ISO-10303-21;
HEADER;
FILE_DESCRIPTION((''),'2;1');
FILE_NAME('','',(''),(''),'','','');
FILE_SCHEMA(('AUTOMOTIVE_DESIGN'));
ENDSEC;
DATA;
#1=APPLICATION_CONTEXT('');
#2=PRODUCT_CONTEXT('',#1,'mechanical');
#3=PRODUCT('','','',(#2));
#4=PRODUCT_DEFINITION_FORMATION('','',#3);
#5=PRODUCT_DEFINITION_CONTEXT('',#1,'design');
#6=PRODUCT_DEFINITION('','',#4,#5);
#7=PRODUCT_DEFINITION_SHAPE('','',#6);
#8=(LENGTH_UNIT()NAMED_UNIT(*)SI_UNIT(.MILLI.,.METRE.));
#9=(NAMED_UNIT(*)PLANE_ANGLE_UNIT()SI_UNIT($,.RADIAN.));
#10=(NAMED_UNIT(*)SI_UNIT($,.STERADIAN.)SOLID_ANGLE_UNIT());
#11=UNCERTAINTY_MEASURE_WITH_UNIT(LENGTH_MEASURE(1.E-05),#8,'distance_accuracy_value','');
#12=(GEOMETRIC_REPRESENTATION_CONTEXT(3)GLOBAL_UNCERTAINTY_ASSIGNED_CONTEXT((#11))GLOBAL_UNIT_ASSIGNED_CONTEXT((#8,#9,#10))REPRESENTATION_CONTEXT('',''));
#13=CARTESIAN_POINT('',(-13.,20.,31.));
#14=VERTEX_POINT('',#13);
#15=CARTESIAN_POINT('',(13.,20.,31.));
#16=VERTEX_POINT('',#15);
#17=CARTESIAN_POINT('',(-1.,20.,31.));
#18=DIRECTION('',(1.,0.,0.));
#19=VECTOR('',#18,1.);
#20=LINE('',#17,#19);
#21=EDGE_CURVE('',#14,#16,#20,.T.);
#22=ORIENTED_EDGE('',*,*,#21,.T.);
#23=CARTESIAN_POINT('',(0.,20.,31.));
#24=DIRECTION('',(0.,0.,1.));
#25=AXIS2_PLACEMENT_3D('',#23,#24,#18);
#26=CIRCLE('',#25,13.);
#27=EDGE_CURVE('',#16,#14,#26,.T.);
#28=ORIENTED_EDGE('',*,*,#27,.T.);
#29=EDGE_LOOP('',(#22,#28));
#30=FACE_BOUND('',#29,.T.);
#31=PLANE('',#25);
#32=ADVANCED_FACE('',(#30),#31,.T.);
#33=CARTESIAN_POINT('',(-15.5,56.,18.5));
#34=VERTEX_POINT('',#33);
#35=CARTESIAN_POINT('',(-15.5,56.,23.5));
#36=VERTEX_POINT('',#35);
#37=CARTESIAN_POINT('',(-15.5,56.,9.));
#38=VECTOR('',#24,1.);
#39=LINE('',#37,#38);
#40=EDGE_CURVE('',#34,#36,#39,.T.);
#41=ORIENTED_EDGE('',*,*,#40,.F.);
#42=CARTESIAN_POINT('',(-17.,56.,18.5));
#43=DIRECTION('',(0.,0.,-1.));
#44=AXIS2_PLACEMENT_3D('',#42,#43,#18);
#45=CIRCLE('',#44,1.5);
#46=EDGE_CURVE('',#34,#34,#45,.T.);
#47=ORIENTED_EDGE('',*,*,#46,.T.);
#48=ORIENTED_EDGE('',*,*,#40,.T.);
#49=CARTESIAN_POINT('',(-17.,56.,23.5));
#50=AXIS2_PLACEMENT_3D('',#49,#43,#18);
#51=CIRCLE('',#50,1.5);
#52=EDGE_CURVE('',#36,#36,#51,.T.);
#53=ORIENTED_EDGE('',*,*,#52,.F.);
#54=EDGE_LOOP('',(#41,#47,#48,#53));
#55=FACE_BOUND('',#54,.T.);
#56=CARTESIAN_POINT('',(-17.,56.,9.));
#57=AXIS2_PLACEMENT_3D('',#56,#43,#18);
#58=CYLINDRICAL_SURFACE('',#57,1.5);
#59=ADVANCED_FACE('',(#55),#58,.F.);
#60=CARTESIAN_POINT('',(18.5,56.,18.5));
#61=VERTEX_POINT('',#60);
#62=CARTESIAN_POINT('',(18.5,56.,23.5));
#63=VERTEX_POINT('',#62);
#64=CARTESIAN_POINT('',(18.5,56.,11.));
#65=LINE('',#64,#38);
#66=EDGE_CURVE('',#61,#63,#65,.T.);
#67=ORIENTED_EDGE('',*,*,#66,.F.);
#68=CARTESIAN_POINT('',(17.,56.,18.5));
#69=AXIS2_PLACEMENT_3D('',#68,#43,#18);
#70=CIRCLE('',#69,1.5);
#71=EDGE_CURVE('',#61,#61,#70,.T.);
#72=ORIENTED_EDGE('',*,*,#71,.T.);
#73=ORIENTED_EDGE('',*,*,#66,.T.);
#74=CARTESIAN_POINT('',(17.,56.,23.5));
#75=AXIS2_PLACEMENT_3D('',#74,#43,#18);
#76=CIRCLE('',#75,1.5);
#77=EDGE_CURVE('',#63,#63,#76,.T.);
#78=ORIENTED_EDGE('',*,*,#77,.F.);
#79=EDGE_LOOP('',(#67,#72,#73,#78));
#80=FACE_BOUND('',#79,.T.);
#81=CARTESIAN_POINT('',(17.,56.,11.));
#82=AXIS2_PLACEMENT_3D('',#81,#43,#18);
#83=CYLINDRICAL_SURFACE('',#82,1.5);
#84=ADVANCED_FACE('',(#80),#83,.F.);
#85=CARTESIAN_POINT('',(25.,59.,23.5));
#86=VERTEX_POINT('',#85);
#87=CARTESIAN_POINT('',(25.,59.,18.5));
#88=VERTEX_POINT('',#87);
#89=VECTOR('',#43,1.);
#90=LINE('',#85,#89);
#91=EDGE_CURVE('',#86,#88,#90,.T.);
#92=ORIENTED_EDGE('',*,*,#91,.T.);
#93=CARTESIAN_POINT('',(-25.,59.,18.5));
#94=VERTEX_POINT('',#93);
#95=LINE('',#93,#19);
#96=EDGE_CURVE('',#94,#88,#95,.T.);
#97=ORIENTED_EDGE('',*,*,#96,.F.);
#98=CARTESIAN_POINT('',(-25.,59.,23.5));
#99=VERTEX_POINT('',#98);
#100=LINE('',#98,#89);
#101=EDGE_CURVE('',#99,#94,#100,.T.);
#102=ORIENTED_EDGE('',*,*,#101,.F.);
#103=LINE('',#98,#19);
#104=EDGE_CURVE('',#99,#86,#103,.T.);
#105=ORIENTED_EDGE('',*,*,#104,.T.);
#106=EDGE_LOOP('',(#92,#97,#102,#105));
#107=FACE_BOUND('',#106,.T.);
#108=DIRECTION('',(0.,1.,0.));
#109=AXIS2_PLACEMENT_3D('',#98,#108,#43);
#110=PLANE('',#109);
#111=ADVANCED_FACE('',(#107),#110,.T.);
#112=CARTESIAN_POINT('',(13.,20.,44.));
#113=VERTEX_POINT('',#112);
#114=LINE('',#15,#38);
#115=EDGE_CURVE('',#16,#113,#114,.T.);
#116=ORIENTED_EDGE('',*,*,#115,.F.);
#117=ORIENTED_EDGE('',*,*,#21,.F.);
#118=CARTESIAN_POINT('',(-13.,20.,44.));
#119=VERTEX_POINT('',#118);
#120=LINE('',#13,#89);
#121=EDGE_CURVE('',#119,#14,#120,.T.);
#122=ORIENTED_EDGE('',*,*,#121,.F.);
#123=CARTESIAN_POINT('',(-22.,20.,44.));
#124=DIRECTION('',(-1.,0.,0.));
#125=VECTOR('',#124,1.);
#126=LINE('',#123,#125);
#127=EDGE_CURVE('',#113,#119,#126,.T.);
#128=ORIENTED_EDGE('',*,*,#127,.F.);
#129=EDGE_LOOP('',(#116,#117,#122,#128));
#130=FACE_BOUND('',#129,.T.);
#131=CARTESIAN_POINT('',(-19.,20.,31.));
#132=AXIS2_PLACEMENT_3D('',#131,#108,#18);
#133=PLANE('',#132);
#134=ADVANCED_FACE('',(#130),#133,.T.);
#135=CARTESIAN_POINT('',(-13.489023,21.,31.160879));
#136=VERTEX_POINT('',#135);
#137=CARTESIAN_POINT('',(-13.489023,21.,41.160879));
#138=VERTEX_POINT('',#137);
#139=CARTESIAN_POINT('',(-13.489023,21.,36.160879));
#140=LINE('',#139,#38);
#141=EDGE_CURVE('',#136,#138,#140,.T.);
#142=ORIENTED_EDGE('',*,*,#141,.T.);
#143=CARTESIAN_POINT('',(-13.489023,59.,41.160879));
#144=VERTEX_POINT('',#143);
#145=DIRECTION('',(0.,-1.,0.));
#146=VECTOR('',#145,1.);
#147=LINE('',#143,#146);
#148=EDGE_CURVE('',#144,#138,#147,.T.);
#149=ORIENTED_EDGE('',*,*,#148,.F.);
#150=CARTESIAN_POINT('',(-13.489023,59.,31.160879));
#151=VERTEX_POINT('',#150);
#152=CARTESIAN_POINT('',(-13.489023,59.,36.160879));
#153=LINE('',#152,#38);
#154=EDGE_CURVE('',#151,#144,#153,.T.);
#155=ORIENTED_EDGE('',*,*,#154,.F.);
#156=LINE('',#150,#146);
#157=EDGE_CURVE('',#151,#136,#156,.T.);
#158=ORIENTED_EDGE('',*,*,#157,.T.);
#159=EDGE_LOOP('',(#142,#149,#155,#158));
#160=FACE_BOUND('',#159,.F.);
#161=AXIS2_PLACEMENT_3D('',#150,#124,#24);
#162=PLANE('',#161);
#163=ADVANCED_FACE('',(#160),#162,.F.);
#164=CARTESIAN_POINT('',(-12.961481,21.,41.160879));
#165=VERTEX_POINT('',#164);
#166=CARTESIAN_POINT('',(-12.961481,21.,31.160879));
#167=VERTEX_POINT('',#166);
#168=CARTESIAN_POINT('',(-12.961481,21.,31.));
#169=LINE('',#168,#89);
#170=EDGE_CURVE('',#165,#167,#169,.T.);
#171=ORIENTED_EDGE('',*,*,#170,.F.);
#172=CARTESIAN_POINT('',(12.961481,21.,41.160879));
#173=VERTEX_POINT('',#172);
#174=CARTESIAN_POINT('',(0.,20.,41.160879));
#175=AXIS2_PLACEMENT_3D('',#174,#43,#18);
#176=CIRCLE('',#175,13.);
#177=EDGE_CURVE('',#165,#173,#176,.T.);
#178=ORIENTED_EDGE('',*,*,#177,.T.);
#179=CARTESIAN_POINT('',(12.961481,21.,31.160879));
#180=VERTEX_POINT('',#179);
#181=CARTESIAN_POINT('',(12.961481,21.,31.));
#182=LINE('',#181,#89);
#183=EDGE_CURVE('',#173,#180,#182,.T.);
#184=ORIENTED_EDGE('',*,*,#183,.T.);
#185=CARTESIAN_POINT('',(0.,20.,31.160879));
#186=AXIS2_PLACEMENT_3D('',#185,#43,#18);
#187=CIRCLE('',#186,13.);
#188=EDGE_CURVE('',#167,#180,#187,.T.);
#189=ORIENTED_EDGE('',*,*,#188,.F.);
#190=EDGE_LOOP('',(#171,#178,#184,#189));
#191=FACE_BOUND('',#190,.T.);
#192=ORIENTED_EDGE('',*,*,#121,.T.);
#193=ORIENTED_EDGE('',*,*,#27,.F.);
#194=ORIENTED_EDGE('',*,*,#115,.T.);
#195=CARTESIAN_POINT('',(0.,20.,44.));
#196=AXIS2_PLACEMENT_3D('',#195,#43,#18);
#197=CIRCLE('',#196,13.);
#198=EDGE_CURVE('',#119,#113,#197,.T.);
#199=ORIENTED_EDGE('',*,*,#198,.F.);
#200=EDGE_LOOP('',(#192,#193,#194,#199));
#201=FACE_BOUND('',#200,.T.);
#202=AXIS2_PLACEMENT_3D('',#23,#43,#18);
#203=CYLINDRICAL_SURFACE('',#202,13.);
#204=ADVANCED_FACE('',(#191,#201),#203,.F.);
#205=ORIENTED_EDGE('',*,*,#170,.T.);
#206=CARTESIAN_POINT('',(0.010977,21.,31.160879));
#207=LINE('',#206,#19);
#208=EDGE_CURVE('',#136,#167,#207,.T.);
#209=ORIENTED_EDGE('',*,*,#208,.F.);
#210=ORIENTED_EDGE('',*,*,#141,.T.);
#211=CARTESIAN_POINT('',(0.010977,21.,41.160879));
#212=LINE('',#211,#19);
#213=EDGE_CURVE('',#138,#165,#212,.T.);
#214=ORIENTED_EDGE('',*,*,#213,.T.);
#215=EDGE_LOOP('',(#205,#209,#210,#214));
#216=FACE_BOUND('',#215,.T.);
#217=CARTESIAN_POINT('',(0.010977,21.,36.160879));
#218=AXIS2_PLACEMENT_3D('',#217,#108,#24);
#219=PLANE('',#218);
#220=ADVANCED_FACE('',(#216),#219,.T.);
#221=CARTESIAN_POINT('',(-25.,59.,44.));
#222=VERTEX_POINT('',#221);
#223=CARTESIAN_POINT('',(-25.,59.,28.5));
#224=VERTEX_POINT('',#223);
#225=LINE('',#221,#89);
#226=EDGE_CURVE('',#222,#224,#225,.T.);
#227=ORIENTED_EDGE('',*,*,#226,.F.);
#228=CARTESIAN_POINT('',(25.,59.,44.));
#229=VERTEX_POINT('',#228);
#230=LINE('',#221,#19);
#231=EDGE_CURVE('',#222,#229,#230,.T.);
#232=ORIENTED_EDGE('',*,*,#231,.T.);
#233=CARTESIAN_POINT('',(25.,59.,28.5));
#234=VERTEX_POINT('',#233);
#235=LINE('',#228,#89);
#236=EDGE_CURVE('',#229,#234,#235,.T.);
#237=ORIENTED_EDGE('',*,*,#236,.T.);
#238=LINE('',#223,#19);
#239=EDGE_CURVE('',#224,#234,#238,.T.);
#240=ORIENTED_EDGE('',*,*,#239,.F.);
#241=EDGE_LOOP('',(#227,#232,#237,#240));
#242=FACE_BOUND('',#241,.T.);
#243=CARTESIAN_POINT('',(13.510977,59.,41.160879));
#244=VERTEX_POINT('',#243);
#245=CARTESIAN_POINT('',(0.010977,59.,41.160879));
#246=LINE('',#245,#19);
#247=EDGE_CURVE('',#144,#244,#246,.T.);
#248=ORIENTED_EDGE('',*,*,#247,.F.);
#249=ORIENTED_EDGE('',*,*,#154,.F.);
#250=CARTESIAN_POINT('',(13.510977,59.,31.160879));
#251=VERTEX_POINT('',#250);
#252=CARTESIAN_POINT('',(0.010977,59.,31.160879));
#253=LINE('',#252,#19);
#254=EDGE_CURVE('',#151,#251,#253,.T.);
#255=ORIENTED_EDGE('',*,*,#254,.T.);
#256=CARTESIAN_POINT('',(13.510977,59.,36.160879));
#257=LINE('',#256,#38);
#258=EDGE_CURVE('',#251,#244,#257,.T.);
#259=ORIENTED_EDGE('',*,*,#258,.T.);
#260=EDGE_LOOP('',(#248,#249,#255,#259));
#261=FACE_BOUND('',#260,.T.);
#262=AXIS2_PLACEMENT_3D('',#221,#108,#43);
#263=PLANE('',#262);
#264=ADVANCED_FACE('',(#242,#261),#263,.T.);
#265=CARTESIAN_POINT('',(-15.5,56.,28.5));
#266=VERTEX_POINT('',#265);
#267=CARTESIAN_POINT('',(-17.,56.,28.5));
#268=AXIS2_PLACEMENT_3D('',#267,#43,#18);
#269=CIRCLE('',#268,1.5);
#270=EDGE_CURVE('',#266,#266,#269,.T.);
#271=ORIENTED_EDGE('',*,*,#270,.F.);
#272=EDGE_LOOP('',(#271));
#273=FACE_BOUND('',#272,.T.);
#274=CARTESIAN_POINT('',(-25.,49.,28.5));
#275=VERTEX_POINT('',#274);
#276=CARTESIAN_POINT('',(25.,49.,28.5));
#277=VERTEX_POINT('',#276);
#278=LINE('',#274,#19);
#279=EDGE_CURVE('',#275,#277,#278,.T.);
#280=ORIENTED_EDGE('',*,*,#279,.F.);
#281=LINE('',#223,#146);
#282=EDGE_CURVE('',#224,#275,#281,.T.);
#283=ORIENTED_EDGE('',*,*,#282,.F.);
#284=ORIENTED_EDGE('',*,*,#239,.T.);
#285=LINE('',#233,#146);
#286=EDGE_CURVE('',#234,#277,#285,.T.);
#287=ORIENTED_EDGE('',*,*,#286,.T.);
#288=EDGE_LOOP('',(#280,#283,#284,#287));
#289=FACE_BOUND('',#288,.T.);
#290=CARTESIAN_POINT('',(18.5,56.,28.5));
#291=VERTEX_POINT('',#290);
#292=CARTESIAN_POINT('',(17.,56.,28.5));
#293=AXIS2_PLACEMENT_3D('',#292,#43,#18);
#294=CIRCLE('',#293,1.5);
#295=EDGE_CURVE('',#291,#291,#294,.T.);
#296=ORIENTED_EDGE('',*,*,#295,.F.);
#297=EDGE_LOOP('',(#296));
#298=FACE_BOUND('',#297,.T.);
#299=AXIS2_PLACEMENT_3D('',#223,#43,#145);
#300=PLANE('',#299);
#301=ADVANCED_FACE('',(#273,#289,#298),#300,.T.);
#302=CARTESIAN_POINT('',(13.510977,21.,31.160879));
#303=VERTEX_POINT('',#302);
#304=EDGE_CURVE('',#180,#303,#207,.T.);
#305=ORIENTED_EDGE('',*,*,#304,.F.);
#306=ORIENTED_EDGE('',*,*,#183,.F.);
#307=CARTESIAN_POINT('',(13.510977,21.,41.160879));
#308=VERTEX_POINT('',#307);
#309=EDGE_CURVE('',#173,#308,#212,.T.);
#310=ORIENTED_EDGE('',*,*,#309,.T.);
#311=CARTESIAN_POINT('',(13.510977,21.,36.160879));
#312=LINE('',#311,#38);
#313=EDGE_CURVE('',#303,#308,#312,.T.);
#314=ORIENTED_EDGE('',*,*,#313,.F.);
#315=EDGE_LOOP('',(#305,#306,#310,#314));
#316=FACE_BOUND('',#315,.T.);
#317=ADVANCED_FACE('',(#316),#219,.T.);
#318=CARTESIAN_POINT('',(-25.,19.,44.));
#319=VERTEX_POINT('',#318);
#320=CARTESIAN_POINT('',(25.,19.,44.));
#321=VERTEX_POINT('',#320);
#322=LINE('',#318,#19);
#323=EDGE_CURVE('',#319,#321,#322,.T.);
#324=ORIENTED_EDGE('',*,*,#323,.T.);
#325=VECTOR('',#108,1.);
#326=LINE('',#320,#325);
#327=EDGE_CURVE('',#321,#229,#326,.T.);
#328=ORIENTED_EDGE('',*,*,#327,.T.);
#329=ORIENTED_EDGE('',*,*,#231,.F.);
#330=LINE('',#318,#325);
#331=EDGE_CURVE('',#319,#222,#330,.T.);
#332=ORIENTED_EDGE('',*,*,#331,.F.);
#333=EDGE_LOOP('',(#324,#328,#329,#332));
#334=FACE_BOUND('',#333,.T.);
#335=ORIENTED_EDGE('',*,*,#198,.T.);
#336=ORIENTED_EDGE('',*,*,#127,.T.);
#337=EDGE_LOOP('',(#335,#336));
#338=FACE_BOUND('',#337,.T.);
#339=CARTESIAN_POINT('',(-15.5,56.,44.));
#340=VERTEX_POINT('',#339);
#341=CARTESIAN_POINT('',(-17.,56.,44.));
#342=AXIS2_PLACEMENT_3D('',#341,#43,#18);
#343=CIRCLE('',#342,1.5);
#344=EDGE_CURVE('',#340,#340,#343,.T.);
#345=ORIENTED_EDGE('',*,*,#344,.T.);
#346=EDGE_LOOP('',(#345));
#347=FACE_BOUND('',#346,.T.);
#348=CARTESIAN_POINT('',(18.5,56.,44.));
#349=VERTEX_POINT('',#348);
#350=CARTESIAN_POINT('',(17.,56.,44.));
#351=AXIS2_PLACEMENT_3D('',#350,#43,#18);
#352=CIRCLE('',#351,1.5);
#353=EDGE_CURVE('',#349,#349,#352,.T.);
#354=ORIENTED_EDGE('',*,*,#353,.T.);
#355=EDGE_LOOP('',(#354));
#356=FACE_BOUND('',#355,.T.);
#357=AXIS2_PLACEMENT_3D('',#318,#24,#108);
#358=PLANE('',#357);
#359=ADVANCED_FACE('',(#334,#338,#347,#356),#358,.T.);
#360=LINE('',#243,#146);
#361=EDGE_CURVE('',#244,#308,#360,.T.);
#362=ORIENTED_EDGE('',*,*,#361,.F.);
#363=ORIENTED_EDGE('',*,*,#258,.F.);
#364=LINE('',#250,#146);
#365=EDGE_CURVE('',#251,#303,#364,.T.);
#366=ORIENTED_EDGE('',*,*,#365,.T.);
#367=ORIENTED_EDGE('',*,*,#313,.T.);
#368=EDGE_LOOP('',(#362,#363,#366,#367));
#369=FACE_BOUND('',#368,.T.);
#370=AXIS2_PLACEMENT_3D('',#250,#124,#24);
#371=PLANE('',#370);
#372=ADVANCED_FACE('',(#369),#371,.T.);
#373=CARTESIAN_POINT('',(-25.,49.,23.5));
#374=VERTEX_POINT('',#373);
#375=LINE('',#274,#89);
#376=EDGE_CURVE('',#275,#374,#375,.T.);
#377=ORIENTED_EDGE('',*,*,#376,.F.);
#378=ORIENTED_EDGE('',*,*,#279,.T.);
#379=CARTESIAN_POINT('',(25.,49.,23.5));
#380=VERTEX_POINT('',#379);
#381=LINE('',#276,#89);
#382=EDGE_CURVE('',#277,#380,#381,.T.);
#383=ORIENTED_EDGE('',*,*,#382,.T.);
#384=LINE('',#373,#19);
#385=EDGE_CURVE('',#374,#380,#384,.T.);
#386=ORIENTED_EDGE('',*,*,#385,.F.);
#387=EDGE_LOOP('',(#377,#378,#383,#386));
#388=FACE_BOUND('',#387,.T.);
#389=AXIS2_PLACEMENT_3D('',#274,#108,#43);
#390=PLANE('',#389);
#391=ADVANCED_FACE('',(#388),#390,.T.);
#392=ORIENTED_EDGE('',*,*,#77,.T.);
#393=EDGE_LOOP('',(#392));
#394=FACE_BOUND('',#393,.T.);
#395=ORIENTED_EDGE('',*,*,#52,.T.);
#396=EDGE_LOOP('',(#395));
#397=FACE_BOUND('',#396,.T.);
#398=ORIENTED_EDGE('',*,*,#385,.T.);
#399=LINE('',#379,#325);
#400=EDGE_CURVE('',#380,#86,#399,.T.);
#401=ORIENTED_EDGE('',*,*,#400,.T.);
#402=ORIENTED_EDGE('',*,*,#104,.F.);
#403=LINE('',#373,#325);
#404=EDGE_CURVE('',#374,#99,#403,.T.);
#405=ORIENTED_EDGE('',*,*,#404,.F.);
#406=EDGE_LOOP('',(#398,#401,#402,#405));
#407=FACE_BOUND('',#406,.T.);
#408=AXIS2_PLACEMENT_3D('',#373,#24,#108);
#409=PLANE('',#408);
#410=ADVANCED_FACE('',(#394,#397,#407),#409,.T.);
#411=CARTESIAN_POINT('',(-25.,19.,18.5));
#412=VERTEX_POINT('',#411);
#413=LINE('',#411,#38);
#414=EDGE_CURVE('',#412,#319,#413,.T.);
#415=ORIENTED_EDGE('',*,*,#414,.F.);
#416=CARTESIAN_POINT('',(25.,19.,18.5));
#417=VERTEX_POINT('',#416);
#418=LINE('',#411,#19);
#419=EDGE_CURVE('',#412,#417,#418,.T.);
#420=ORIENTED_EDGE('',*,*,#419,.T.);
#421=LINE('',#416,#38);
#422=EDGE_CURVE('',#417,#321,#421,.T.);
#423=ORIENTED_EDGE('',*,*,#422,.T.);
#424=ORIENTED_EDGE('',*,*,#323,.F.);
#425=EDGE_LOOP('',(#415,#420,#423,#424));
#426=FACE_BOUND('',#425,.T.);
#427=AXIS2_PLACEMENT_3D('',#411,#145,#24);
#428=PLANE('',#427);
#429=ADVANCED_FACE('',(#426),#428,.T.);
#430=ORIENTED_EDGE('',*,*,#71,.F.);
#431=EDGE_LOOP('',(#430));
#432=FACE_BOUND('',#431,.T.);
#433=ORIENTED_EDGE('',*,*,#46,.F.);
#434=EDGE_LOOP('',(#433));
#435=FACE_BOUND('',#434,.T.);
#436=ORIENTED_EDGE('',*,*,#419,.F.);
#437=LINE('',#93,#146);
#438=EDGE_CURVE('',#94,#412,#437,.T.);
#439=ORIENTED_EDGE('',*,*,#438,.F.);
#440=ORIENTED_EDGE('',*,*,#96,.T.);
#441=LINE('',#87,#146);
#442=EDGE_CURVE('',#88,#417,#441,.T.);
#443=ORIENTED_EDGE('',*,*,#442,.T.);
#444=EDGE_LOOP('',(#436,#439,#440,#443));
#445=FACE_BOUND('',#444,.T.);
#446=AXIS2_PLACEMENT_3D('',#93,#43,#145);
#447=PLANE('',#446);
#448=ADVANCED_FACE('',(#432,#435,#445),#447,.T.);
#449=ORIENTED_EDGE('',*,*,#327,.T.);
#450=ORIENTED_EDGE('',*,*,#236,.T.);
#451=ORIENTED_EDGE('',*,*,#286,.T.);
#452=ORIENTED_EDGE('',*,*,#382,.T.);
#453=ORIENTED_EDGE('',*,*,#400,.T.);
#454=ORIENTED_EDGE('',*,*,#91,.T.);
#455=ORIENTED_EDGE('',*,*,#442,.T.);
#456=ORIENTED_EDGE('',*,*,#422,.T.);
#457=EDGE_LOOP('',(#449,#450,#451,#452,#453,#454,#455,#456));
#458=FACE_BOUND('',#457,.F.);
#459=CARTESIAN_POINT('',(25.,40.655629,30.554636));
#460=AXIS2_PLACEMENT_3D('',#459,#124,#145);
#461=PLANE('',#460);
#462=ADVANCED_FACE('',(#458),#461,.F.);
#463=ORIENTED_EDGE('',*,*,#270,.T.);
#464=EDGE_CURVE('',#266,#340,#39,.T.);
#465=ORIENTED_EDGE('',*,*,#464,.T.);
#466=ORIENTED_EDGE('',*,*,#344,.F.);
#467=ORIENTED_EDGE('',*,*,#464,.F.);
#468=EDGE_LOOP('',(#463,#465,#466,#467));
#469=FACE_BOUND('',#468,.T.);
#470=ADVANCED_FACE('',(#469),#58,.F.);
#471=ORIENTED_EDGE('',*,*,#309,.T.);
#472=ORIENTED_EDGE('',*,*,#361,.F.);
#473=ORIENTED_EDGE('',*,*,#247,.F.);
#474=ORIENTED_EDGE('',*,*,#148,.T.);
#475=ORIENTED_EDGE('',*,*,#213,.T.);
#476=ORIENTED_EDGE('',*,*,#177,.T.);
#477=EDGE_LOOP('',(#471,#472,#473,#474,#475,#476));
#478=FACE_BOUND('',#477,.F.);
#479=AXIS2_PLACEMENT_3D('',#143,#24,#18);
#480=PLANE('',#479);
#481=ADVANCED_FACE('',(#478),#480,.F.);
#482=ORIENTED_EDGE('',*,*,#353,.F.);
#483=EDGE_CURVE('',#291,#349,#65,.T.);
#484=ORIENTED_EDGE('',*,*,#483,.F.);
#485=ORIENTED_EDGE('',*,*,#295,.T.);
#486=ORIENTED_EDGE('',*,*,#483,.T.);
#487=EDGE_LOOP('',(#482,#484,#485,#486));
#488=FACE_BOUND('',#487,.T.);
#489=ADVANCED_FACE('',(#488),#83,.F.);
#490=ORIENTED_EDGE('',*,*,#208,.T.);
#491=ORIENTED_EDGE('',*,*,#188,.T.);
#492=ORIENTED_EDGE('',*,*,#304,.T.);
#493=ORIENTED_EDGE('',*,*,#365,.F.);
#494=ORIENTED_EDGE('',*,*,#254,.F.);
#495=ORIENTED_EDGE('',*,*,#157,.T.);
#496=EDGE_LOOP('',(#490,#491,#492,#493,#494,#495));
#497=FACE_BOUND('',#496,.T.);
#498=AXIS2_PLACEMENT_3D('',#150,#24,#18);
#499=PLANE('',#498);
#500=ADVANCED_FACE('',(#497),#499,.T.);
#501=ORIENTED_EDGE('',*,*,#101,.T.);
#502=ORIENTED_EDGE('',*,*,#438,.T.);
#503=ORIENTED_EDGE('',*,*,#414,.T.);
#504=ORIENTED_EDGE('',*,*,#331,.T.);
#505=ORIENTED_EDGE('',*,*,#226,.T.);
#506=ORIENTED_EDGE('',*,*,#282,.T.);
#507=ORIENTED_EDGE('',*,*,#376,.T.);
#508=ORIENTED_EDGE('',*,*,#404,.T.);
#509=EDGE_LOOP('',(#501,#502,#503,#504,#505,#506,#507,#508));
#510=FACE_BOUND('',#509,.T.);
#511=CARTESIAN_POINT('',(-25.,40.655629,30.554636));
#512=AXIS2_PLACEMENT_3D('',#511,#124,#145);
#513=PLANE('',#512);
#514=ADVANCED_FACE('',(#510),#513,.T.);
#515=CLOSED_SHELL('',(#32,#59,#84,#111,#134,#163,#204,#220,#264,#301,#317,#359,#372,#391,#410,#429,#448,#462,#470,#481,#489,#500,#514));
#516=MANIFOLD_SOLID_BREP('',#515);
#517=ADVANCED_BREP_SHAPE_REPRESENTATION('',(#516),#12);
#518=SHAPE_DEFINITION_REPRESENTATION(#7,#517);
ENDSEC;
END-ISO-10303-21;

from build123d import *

# Parameters (mm, degrees)
BOX002_W          = 36
BOX002_H          = 16
BOX002_DEPTH      = 41
CYLINDER035_R     = 13
CYLINDER035_DEPTH = 24
CYLINDER003_R     = 1.5
CYLINDER003_DEPTH = 44
CYLINDER002_R     = 1.5
CYLINDER002_DEPTH = 44
PAD009_DEPTH      = 50
SKETCH026_W       = 10
SKETCH026_H       = 27
POCKET006_DEPTH   = 38


with BuildPart() as cubo002:
    # Box002 → Box002 (new body)
    with BuildSketch(Plane(origin=(-19, 1, 45), x_dir=(1, 0, 0), z_dir=(0, 0, 1))):
        with Locations((18, 8)):
            Rectangle(BOX002_W, BOX002_H)
    extrude(amount=BOX002_DEPTH)


with BuildPart() as cut013020:
    # Cylinder035 → Cylinder035 (new body)
    with BuildSketch(Plane(origin=(0, 17, 45), x_dir=(1, 0, 0), z_dir=(0, 0, 1))):
        Circle(CYLINDER035_R)
    extrude(amount=CYLINDER035_DEPTH)

    # Cut013020: cut Cubo002
    add(cubo002.part, mode=Mode.SUBTRACT)


with BuildPart() as cut013020_1:
    # Cut013020 placement: moved
    add(cut013020.part.moved(Location((0, 3, -14))))


with BuildPart() as cilindro003:
    # Cylinder003 → Cylinder003 (new body)
    with BuildSketch(Plane(origin=(17, 63, -20), x_dir=(1, 0, 0), z_dir=(0, 0, 1))):
        Circle(CYLINDER003_R)
    extrude(amount=CYLINDER003_DEPTH)


with BuildPart() as fusion001009:
    # Cylinder002 → Cylinder002 (new body)
    with BuildSketch(Plane(origin=(-17, 63, -22), x_dir=(1, 0, 0), z_dir=(0, 0, 1))):
        Circle(CYLINDER002_R)
    extrude(amount=CYLINDER002_DEPTH)

    # Fusion001009: union Cilindro003
    add(cilindro003.part)


with BuildPart() as fusion001009_1:
    # Fusion001009 placement: moved
    add(fusion001009.part.moved(Location((0, -15, 0))))


with BuildPart() as cut013021:
    # Sketch014 → Pad009 (new body)
    with BuildSketch(Plane.YZ):
        Polygon((-20, -7.5), (-20, 18), (20, 18), (20, 2.5), (10, 2.5), (10, -2.5), (20, -2.5), (20, -7.5), align=None)
    extrude(amount=PAD009_DEPTH)

    # Sketch026 (on Face3 of Pad009) → Pocket006 (cut)
    with BuildSketch(Plane.ZX.offset(20)):
        with Locations((10.160879, 25.010977)):
            Rectangle(SKETCH026_W, SKETCH026_H)
    extrude(amount=-POCKET006_DEPTH, mode=Mode.SUBTRACT)


with BuildPart() as cut013021_1:
    # Body013 placement: moved
    add(cut013021.part.moved(Location((-25, 31, -5))))

    # Cut013018: cut Fusion001009
    add(fusion001009_1.part, mode=Mode.SUBTRACT)


with BuildPart() as cut013021_2:
    # Cut013018 placement: moved
    add(cut013021_1.part.moved(Location((0, 8, 31))))

    # Cut013021: cut Cut013020
    add(cut013020_1.part, mode=Mode.SUBTRACT)


solid = cut013021_2.part
